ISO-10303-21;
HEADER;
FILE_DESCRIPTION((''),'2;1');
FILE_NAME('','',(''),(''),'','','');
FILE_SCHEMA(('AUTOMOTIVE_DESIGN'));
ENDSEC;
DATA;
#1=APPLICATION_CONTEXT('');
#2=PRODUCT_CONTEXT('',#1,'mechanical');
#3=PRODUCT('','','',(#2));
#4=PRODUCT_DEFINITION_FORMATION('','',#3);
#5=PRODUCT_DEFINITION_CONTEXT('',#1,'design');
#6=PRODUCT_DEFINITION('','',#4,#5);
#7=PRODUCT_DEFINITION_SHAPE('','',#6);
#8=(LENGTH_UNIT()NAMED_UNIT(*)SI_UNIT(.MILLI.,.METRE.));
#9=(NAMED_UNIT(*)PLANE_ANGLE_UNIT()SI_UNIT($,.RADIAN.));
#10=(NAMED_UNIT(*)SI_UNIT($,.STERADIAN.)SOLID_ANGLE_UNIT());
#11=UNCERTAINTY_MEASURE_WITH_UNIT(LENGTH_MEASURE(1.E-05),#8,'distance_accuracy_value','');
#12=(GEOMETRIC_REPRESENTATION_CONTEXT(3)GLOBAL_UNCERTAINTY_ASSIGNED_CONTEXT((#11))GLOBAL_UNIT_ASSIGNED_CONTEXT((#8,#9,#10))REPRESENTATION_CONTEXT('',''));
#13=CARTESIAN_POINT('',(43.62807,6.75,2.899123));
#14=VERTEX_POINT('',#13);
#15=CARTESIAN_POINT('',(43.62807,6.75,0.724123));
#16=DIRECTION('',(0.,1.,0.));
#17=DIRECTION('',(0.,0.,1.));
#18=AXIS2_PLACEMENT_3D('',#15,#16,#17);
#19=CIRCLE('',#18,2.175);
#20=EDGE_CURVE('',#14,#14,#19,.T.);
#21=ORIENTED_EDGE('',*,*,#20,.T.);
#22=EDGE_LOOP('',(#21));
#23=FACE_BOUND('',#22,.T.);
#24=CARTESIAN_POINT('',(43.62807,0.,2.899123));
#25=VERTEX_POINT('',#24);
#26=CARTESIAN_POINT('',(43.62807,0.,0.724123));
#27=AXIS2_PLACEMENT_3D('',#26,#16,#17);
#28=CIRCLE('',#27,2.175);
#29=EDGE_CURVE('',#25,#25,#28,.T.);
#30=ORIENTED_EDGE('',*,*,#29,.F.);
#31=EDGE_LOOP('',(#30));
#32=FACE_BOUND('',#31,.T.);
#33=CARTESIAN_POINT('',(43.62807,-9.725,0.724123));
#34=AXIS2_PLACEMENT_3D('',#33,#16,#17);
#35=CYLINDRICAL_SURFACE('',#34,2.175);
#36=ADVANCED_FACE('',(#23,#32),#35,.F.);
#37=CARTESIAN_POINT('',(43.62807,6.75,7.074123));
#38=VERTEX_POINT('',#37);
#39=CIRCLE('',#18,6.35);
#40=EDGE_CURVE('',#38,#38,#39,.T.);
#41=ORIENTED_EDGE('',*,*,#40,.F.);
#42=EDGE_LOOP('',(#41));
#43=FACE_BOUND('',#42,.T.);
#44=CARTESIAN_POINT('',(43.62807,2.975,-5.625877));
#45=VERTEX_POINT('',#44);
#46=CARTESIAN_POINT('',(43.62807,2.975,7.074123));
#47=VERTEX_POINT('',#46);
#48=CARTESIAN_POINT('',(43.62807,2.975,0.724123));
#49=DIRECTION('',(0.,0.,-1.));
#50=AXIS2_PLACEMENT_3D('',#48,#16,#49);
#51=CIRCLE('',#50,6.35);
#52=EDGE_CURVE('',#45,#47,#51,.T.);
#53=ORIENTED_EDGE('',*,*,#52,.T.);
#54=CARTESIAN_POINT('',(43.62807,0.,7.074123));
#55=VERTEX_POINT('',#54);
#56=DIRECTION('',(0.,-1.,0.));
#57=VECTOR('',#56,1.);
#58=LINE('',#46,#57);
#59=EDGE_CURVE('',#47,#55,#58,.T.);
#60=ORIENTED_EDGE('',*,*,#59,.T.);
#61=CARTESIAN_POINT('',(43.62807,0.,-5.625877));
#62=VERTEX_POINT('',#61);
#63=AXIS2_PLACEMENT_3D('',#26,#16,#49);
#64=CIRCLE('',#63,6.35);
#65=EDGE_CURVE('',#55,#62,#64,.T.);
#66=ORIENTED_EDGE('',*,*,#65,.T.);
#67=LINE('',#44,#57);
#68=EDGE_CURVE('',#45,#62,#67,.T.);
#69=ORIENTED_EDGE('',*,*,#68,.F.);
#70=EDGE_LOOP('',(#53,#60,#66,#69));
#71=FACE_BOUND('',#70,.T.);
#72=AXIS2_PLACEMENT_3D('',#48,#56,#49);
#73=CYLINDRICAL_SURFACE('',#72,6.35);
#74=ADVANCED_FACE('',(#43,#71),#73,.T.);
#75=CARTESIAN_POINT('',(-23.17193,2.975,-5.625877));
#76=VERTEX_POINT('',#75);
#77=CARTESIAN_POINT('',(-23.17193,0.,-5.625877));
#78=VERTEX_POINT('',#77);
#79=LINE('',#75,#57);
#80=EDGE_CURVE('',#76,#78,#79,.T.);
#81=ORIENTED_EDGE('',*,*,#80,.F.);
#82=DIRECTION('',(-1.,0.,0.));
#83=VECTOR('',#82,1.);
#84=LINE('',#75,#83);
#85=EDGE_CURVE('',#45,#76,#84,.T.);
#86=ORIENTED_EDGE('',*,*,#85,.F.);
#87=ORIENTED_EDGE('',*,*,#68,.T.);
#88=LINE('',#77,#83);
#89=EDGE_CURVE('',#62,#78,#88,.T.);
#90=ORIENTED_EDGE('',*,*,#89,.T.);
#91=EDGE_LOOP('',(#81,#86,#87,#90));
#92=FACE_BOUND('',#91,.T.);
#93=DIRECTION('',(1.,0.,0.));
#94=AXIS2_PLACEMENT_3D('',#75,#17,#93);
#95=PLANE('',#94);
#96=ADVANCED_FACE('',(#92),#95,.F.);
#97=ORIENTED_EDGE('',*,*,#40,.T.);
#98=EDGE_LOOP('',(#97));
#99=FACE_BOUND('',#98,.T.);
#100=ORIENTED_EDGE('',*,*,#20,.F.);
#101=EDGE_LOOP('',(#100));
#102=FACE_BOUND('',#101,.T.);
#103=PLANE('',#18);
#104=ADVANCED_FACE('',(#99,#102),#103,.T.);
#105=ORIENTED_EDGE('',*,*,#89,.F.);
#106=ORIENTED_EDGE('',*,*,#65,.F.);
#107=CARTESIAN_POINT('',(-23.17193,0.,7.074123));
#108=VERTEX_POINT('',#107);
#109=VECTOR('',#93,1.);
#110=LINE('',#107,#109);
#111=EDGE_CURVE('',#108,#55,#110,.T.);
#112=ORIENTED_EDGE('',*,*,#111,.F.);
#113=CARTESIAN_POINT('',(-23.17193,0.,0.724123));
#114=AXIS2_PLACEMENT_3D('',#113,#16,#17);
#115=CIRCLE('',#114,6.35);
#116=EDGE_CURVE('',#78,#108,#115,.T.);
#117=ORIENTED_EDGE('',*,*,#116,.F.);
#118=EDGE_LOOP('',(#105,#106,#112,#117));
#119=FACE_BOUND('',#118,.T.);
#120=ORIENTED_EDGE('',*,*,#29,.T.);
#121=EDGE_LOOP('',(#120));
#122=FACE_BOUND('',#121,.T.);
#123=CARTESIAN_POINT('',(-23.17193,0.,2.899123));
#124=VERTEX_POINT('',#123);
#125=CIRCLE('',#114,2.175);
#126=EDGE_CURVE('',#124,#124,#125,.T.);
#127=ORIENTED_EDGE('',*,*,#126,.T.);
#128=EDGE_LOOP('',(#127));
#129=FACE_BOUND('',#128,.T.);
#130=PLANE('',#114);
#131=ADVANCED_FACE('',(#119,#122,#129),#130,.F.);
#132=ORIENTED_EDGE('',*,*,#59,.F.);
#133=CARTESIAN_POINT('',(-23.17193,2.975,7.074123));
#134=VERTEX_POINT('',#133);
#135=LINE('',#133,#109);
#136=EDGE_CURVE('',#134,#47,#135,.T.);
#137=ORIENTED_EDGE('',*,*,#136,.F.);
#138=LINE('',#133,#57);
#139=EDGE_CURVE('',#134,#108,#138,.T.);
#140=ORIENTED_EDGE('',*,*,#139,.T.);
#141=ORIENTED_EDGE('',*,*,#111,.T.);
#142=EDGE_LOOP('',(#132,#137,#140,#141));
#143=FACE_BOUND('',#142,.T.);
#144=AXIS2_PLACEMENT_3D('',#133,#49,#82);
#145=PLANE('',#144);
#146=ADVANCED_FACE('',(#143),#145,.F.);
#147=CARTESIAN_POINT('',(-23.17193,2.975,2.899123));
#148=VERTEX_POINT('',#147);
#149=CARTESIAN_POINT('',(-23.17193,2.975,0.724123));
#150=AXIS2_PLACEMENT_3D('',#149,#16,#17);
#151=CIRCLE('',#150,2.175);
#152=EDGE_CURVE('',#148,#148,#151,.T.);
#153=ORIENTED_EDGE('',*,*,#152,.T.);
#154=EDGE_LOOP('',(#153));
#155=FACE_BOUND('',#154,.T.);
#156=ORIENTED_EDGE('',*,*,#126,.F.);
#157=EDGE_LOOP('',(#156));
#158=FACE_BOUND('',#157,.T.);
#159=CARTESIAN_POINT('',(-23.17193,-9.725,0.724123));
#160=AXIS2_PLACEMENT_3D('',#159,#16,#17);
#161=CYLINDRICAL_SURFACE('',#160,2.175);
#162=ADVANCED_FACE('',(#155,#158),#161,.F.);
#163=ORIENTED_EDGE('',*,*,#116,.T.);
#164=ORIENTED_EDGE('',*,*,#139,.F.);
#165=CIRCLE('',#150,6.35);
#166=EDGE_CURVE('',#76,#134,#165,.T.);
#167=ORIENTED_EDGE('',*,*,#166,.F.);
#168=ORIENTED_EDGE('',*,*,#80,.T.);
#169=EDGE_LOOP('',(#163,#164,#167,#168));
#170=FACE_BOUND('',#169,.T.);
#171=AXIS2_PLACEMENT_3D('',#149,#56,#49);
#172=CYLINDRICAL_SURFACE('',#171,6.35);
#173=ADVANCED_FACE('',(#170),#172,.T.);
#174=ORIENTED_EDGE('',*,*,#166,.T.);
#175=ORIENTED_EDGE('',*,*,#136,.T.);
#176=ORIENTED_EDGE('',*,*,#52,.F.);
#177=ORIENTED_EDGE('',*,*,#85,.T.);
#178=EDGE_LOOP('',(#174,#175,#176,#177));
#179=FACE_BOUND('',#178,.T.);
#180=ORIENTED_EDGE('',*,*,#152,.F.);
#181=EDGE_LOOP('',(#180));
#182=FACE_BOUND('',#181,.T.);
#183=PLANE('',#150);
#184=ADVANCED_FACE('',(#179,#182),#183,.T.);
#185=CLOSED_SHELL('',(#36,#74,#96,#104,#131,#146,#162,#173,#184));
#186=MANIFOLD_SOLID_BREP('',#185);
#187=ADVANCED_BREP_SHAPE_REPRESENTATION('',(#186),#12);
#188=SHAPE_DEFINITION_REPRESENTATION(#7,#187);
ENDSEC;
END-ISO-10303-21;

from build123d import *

# Parameters (mm, degrees)
BOSS_EXTRUDE1_DEPTH = 2.975
SKETCH2_R           = 2.175
CUT_EXTRUDE1_DEPTH  = 12.7
SKETCH3_R           = 2.175
BOSS_EXTRUDE2_DEPTH = 3.775


with BuildPart() as part:
    # Sketch1 → Boss-Extrude1 (new body)
    with BuildSketch(Plane(origin=(0, 0, 0), x_dir=(1, 0, 0), z_dir=(0, 1, 0))):
        with BuildLine():
            Line((-23.171929825, 5.625877193), (43.628070175, 5.625877193))
            ThreePointArc((43.628070175, 5.625877193), (49.978070175, -0.724122807), (43.628070175, -7.074122807))
            Line((43.628070175, -7.074122807), (-23.171929825, -7.074122807))
            ThreePointArc((-23.171929825, -7.074122807), (-29.521929825, -0.724122807), (-23.171929825, 5.625877193))
        make_face()
    extrude(amount=BOSS_EXTRUDE1_DEPTH)

    # Sketch2 → Cut-Extrude1 (cut)
    with BuildSketch(Plane(origin=(0, 2.975, 0), x_dir=(1, 0, 0), z_dir=(0, 1, 0))):
        with Locations(Location((-23.171929825, -0.724122807, 0), (0, 0, 270))):
            Circle(SKETCH2_R)
        with Locations(Location((43.628070175, -0.724122807, 0), (0, 0, 270))):
            Circle(SKETCH2_R)
    extrude(amount=-CUT_EXTRUDE1_DEPTH, mode=Mode.SUBTRACT)

    # Sketch3 → Boss-Extrude2 (add)
    with BuildSketch(Plane(origin=(0, 2.975, 0), x_dir=(1, 0, 0), z_dir=(0, 1, 0))):
        with BuildLine():
            ThreePointArc((43.628070175, 5.625877193), (49.978070175, -0.724122807), (43.628070175, -7.074122807))
            ThreePointArc((43.628070175, -7.074122807), (37.278070175, -0.724122807), (43.628070175, 5.625877193))
        make_face()
        with Locations(Location((43.628070175, -0.724122807, 0), (0, 0, 270))):
            Circle(SKETCH3_R, mode=Mode.SUBTRACT)
    extrude(amount=BOSS_EXTRUDE2_DEPTH)


solid = part.part
